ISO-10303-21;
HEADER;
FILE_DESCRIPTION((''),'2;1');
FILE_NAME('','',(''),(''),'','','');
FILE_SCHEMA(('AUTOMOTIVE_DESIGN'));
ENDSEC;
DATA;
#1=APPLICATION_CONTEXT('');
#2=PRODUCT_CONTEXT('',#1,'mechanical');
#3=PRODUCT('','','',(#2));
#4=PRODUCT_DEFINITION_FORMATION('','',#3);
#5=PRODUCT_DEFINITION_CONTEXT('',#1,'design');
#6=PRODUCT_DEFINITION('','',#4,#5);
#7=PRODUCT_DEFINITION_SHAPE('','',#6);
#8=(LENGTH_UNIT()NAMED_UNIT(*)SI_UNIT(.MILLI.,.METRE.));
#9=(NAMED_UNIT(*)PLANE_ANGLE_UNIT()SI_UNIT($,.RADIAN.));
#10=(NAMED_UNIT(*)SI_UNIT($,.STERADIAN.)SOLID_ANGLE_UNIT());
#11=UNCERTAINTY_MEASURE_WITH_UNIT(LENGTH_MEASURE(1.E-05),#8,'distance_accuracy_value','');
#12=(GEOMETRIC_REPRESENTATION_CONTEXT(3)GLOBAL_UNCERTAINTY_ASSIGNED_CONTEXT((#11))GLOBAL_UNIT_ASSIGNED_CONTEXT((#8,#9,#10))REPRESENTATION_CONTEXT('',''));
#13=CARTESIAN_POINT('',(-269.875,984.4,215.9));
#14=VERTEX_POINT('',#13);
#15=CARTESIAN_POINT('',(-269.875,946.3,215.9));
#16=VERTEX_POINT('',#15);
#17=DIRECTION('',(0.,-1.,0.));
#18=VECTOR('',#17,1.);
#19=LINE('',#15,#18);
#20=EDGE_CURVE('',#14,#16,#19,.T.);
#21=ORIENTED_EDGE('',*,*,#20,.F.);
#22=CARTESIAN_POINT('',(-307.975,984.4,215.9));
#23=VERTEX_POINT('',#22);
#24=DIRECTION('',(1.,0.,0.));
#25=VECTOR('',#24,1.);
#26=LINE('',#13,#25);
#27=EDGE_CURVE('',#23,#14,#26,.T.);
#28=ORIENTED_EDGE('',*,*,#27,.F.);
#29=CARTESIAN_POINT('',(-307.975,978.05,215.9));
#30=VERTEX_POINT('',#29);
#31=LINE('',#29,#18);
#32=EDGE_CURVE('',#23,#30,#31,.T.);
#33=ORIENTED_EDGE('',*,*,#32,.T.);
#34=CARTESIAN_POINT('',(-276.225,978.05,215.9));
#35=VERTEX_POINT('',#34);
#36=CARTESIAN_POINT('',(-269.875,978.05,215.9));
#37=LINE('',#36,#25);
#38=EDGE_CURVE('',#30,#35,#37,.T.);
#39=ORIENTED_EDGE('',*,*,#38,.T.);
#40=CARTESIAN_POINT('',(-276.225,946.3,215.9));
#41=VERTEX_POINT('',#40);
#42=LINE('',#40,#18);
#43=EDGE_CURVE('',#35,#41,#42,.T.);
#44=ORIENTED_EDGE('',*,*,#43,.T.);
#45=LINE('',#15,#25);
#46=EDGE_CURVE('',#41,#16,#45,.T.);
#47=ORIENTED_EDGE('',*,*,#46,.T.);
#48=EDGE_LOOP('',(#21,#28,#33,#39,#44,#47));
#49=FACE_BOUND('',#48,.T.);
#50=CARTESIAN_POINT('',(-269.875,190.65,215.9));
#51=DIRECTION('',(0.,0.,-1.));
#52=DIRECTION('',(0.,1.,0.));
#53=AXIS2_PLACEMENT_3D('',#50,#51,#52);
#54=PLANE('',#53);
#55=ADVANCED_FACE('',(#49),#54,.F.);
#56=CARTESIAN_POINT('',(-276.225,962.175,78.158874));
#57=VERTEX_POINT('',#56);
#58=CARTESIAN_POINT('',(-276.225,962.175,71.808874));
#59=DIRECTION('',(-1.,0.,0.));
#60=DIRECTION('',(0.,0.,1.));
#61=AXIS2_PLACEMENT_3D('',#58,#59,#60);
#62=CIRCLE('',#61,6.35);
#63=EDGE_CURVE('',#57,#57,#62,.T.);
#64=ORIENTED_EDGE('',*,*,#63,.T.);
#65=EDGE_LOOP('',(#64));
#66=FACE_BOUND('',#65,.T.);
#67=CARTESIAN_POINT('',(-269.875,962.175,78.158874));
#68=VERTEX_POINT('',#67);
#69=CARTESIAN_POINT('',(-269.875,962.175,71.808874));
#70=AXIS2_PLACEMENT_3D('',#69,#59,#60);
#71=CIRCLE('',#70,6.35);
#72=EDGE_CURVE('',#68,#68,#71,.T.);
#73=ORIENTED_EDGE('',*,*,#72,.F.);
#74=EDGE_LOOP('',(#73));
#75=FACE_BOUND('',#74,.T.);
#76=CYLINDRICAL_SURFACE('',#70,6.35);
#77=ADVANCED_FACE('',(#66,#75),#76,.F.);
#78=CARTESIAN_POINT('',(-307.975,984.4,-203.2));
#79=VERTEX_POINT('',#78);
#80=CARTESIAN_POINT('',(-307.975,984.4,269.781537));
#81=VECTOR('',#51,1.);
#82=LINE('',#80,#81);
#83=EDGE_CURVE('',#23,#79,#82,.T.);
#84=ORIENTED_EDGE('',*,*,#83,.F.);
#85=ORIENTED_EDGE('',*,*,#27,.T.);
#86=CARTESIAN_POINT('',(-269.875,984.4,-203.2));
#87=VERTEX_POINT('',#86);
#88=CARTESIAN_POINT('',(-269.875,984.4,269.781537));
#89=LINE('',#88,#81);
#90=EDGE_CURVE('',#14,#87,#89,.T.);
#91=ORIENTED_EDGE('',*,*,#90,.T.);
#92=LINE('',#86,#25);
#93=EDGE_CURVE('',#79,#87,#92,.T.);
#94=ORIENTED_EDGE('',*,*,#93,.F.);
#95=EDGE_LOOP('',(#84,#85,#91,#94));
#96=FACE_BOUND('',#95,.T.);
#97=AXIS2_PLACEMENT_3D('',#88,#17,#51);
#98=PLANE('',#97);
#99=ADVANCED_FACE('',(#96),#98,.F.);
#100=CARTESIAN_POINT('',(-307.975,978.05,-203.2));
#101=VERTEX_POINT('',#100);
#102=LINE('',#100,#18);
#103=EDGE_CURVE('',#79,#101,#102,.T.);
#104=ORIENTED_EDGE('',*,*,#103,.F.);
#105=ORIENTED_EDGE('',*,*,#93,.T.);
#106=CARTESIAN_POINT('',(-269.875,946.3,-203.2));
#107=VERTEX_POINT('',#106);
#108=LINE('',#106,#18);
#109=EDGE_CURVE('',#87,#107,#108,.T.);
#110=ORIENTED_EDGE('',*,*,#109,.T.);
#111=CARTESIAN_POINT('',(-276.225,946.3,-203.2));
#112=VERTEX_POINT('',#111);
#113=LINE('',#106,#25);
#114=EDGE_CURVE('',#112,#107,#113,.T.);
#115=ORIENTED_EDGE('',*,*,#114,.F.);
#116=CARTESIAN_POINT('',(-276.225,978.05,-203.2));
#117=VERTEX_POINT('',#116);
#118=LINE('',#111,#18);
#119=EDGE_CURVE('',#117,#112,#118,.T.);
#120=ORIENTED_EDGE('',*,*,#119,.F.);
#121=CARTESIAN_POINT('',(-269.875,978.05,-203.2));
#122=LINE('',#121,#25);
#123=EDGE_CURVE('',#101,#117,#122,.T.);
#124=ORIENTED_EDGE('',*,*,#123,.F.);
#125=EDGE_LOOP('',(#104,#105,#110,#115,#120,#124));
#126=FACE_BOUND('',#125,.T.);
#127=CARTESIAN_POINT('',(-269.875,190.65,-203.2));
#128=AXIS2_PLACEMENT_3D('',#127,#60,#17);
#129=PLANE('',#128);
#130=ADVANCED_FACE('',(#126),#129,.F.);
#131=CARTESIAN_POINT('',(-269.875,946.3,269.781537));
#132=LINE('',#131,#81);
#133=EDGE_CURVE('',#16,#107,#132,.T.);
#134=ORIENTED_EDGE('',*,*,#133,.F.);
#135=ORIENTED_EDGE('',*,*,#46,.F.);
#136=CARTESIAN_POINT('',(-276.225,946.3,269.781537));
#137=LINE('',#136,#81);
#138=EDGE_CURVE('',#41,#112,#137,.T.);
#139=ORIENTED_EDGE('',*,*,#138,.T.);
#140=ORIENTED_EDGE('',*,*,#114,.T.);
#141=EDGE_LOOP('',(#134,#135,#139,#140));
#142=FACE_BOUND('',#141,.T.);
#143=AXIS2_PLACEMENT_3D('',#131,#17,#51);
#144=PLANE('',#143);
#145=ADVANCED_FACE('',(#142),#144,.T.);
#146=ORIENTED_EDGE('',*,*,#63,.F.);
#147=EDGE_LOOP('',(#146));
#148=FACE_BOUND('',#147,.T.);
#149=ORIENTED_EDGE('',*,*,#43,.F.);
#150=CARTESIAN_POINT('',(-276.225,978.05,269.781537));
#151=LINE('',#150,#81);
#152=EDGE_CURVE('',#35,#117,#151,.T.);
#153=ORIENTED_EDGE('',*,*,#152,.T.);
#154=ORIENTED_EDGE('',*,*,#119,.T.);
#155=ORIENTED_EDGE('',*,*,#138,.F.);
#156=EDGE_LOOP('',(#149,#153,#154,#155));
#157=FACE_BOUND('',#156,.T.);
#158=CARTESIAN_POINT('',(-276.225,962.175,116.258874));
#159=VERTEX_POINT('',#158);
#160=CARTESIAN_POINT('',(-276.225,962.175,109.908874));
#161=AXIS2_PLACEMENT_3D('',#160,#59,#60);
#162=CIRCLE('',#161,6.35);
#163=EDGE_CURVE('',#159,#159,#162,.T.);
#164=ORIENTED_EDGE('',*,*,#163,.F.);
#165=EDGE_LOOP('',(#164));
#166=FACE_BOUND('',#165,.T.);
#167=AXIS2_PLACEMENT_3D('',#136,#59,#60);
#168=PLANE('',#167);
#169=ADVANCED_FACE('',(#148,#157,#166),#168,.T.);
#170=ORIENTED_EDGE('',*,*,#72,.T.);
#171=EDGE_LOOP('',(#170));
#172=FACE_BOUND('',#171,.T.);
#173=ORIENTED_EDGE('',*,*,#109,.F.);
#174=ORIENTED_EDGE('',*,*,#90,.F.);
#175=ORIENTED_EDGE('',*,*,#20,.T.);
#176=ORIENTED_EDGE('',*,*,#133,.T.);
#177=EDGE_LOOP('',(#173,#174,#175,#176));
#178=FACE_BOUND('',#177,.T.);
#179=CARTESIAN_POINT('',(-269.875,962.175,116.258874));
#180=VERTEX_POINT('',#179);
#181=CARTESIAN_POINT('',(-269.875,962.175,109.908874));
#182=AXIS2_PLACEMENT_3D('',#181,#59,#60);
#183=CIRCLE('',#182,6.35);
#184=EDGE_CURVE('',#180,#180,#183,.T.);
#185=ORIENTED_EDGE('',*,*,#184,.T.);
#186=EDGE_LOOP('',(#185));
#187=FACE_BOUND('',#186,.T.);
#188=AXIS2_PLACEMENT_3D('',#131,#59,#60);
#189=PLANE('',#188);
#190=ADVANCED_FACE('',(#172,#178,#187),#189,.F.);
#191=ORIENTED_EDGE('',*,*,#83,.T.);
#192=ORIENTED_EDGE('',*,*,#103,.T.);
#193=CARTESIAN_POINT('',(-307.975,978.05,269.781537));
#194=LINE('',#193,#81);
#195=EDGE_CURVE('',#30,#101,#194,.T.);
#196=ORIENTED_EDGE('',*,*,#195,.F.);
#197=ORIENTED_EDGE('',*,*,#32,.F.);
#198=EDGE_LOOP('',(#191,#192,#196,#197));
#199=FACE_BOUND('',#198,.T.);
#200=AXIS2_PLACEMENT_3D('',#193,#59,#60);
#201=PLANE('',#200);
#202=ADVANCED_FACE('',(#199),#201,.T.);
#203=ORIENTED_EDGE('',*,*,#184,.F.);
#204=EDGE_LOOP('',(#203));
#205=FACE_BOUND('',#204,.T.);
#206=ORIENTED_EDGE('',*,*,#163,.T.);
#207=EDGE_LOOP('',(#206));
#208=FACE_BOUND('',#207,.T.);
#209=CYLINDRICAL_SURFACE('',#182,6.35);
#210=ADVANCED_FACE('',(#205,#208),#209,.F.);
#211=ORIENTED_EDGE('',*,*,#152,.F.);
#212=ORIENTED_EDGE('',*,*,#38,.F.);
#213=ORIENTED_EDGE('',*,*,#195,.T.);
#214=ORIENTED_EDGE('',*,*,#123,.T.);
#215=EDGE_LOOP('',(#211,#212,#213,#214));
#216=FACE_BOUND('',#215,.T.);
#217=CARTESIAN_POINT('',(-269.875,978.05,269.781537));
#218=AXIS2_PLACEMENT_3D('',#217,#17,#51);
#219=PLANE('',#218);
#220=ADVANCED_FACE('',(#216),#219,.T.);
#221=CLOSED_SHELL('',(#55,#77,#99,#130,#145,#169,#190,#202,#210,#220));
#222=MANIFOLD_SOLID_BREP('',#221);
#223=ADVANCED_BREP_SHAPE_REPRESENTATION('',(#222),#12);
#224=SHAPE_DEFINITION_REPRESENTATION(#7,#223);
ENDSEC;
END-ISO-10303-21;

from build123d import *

# Parameters (mm, degrees)
EXTRUDE_THIN1_DEPTH      = 215.9
EXTRUDE_THIN1_DEPTH_BACK = 203.2
SKETCH2_R                = 6.35
CUT_EXTRUDE1_DEPTH       = 7.35


with BuildPart() as part:
    # Sketch1 → Extrude-Thin1 (new body, two sides)
    with BuildSketch(Plane.XY) as extrude_thin1_sk:
        Polygon((-269.875, 946.3), (-269.875, 984.4), (-307.975, 984.4), (-307.975, 978.05), (-276.225, 978.05), (-276.225, 946.3), align=None)
    extrude(amount=EXTRUDE_THIN1_DEPTH)
    extrude(extrude_thin1_sk.sketch, amount=-EXTRUDE_THIN1_DEPTH_BACK)

    # Sketch2 → Cut-Extrude1 (cut, through all)
    with BuildSketch(Plane.ZY.offset(276.225)):
        with Locations((109.908874461, 962.175)):
            Circle(SKETCH2_R)
        with Locations((71.808874461, 962.175)):
            Circle(SKETCH2_R)
    extrude(amount=-CUT_EXTRUDE1_DEPTH, mode=Mode.SUBTRACT)


solid = part.part
